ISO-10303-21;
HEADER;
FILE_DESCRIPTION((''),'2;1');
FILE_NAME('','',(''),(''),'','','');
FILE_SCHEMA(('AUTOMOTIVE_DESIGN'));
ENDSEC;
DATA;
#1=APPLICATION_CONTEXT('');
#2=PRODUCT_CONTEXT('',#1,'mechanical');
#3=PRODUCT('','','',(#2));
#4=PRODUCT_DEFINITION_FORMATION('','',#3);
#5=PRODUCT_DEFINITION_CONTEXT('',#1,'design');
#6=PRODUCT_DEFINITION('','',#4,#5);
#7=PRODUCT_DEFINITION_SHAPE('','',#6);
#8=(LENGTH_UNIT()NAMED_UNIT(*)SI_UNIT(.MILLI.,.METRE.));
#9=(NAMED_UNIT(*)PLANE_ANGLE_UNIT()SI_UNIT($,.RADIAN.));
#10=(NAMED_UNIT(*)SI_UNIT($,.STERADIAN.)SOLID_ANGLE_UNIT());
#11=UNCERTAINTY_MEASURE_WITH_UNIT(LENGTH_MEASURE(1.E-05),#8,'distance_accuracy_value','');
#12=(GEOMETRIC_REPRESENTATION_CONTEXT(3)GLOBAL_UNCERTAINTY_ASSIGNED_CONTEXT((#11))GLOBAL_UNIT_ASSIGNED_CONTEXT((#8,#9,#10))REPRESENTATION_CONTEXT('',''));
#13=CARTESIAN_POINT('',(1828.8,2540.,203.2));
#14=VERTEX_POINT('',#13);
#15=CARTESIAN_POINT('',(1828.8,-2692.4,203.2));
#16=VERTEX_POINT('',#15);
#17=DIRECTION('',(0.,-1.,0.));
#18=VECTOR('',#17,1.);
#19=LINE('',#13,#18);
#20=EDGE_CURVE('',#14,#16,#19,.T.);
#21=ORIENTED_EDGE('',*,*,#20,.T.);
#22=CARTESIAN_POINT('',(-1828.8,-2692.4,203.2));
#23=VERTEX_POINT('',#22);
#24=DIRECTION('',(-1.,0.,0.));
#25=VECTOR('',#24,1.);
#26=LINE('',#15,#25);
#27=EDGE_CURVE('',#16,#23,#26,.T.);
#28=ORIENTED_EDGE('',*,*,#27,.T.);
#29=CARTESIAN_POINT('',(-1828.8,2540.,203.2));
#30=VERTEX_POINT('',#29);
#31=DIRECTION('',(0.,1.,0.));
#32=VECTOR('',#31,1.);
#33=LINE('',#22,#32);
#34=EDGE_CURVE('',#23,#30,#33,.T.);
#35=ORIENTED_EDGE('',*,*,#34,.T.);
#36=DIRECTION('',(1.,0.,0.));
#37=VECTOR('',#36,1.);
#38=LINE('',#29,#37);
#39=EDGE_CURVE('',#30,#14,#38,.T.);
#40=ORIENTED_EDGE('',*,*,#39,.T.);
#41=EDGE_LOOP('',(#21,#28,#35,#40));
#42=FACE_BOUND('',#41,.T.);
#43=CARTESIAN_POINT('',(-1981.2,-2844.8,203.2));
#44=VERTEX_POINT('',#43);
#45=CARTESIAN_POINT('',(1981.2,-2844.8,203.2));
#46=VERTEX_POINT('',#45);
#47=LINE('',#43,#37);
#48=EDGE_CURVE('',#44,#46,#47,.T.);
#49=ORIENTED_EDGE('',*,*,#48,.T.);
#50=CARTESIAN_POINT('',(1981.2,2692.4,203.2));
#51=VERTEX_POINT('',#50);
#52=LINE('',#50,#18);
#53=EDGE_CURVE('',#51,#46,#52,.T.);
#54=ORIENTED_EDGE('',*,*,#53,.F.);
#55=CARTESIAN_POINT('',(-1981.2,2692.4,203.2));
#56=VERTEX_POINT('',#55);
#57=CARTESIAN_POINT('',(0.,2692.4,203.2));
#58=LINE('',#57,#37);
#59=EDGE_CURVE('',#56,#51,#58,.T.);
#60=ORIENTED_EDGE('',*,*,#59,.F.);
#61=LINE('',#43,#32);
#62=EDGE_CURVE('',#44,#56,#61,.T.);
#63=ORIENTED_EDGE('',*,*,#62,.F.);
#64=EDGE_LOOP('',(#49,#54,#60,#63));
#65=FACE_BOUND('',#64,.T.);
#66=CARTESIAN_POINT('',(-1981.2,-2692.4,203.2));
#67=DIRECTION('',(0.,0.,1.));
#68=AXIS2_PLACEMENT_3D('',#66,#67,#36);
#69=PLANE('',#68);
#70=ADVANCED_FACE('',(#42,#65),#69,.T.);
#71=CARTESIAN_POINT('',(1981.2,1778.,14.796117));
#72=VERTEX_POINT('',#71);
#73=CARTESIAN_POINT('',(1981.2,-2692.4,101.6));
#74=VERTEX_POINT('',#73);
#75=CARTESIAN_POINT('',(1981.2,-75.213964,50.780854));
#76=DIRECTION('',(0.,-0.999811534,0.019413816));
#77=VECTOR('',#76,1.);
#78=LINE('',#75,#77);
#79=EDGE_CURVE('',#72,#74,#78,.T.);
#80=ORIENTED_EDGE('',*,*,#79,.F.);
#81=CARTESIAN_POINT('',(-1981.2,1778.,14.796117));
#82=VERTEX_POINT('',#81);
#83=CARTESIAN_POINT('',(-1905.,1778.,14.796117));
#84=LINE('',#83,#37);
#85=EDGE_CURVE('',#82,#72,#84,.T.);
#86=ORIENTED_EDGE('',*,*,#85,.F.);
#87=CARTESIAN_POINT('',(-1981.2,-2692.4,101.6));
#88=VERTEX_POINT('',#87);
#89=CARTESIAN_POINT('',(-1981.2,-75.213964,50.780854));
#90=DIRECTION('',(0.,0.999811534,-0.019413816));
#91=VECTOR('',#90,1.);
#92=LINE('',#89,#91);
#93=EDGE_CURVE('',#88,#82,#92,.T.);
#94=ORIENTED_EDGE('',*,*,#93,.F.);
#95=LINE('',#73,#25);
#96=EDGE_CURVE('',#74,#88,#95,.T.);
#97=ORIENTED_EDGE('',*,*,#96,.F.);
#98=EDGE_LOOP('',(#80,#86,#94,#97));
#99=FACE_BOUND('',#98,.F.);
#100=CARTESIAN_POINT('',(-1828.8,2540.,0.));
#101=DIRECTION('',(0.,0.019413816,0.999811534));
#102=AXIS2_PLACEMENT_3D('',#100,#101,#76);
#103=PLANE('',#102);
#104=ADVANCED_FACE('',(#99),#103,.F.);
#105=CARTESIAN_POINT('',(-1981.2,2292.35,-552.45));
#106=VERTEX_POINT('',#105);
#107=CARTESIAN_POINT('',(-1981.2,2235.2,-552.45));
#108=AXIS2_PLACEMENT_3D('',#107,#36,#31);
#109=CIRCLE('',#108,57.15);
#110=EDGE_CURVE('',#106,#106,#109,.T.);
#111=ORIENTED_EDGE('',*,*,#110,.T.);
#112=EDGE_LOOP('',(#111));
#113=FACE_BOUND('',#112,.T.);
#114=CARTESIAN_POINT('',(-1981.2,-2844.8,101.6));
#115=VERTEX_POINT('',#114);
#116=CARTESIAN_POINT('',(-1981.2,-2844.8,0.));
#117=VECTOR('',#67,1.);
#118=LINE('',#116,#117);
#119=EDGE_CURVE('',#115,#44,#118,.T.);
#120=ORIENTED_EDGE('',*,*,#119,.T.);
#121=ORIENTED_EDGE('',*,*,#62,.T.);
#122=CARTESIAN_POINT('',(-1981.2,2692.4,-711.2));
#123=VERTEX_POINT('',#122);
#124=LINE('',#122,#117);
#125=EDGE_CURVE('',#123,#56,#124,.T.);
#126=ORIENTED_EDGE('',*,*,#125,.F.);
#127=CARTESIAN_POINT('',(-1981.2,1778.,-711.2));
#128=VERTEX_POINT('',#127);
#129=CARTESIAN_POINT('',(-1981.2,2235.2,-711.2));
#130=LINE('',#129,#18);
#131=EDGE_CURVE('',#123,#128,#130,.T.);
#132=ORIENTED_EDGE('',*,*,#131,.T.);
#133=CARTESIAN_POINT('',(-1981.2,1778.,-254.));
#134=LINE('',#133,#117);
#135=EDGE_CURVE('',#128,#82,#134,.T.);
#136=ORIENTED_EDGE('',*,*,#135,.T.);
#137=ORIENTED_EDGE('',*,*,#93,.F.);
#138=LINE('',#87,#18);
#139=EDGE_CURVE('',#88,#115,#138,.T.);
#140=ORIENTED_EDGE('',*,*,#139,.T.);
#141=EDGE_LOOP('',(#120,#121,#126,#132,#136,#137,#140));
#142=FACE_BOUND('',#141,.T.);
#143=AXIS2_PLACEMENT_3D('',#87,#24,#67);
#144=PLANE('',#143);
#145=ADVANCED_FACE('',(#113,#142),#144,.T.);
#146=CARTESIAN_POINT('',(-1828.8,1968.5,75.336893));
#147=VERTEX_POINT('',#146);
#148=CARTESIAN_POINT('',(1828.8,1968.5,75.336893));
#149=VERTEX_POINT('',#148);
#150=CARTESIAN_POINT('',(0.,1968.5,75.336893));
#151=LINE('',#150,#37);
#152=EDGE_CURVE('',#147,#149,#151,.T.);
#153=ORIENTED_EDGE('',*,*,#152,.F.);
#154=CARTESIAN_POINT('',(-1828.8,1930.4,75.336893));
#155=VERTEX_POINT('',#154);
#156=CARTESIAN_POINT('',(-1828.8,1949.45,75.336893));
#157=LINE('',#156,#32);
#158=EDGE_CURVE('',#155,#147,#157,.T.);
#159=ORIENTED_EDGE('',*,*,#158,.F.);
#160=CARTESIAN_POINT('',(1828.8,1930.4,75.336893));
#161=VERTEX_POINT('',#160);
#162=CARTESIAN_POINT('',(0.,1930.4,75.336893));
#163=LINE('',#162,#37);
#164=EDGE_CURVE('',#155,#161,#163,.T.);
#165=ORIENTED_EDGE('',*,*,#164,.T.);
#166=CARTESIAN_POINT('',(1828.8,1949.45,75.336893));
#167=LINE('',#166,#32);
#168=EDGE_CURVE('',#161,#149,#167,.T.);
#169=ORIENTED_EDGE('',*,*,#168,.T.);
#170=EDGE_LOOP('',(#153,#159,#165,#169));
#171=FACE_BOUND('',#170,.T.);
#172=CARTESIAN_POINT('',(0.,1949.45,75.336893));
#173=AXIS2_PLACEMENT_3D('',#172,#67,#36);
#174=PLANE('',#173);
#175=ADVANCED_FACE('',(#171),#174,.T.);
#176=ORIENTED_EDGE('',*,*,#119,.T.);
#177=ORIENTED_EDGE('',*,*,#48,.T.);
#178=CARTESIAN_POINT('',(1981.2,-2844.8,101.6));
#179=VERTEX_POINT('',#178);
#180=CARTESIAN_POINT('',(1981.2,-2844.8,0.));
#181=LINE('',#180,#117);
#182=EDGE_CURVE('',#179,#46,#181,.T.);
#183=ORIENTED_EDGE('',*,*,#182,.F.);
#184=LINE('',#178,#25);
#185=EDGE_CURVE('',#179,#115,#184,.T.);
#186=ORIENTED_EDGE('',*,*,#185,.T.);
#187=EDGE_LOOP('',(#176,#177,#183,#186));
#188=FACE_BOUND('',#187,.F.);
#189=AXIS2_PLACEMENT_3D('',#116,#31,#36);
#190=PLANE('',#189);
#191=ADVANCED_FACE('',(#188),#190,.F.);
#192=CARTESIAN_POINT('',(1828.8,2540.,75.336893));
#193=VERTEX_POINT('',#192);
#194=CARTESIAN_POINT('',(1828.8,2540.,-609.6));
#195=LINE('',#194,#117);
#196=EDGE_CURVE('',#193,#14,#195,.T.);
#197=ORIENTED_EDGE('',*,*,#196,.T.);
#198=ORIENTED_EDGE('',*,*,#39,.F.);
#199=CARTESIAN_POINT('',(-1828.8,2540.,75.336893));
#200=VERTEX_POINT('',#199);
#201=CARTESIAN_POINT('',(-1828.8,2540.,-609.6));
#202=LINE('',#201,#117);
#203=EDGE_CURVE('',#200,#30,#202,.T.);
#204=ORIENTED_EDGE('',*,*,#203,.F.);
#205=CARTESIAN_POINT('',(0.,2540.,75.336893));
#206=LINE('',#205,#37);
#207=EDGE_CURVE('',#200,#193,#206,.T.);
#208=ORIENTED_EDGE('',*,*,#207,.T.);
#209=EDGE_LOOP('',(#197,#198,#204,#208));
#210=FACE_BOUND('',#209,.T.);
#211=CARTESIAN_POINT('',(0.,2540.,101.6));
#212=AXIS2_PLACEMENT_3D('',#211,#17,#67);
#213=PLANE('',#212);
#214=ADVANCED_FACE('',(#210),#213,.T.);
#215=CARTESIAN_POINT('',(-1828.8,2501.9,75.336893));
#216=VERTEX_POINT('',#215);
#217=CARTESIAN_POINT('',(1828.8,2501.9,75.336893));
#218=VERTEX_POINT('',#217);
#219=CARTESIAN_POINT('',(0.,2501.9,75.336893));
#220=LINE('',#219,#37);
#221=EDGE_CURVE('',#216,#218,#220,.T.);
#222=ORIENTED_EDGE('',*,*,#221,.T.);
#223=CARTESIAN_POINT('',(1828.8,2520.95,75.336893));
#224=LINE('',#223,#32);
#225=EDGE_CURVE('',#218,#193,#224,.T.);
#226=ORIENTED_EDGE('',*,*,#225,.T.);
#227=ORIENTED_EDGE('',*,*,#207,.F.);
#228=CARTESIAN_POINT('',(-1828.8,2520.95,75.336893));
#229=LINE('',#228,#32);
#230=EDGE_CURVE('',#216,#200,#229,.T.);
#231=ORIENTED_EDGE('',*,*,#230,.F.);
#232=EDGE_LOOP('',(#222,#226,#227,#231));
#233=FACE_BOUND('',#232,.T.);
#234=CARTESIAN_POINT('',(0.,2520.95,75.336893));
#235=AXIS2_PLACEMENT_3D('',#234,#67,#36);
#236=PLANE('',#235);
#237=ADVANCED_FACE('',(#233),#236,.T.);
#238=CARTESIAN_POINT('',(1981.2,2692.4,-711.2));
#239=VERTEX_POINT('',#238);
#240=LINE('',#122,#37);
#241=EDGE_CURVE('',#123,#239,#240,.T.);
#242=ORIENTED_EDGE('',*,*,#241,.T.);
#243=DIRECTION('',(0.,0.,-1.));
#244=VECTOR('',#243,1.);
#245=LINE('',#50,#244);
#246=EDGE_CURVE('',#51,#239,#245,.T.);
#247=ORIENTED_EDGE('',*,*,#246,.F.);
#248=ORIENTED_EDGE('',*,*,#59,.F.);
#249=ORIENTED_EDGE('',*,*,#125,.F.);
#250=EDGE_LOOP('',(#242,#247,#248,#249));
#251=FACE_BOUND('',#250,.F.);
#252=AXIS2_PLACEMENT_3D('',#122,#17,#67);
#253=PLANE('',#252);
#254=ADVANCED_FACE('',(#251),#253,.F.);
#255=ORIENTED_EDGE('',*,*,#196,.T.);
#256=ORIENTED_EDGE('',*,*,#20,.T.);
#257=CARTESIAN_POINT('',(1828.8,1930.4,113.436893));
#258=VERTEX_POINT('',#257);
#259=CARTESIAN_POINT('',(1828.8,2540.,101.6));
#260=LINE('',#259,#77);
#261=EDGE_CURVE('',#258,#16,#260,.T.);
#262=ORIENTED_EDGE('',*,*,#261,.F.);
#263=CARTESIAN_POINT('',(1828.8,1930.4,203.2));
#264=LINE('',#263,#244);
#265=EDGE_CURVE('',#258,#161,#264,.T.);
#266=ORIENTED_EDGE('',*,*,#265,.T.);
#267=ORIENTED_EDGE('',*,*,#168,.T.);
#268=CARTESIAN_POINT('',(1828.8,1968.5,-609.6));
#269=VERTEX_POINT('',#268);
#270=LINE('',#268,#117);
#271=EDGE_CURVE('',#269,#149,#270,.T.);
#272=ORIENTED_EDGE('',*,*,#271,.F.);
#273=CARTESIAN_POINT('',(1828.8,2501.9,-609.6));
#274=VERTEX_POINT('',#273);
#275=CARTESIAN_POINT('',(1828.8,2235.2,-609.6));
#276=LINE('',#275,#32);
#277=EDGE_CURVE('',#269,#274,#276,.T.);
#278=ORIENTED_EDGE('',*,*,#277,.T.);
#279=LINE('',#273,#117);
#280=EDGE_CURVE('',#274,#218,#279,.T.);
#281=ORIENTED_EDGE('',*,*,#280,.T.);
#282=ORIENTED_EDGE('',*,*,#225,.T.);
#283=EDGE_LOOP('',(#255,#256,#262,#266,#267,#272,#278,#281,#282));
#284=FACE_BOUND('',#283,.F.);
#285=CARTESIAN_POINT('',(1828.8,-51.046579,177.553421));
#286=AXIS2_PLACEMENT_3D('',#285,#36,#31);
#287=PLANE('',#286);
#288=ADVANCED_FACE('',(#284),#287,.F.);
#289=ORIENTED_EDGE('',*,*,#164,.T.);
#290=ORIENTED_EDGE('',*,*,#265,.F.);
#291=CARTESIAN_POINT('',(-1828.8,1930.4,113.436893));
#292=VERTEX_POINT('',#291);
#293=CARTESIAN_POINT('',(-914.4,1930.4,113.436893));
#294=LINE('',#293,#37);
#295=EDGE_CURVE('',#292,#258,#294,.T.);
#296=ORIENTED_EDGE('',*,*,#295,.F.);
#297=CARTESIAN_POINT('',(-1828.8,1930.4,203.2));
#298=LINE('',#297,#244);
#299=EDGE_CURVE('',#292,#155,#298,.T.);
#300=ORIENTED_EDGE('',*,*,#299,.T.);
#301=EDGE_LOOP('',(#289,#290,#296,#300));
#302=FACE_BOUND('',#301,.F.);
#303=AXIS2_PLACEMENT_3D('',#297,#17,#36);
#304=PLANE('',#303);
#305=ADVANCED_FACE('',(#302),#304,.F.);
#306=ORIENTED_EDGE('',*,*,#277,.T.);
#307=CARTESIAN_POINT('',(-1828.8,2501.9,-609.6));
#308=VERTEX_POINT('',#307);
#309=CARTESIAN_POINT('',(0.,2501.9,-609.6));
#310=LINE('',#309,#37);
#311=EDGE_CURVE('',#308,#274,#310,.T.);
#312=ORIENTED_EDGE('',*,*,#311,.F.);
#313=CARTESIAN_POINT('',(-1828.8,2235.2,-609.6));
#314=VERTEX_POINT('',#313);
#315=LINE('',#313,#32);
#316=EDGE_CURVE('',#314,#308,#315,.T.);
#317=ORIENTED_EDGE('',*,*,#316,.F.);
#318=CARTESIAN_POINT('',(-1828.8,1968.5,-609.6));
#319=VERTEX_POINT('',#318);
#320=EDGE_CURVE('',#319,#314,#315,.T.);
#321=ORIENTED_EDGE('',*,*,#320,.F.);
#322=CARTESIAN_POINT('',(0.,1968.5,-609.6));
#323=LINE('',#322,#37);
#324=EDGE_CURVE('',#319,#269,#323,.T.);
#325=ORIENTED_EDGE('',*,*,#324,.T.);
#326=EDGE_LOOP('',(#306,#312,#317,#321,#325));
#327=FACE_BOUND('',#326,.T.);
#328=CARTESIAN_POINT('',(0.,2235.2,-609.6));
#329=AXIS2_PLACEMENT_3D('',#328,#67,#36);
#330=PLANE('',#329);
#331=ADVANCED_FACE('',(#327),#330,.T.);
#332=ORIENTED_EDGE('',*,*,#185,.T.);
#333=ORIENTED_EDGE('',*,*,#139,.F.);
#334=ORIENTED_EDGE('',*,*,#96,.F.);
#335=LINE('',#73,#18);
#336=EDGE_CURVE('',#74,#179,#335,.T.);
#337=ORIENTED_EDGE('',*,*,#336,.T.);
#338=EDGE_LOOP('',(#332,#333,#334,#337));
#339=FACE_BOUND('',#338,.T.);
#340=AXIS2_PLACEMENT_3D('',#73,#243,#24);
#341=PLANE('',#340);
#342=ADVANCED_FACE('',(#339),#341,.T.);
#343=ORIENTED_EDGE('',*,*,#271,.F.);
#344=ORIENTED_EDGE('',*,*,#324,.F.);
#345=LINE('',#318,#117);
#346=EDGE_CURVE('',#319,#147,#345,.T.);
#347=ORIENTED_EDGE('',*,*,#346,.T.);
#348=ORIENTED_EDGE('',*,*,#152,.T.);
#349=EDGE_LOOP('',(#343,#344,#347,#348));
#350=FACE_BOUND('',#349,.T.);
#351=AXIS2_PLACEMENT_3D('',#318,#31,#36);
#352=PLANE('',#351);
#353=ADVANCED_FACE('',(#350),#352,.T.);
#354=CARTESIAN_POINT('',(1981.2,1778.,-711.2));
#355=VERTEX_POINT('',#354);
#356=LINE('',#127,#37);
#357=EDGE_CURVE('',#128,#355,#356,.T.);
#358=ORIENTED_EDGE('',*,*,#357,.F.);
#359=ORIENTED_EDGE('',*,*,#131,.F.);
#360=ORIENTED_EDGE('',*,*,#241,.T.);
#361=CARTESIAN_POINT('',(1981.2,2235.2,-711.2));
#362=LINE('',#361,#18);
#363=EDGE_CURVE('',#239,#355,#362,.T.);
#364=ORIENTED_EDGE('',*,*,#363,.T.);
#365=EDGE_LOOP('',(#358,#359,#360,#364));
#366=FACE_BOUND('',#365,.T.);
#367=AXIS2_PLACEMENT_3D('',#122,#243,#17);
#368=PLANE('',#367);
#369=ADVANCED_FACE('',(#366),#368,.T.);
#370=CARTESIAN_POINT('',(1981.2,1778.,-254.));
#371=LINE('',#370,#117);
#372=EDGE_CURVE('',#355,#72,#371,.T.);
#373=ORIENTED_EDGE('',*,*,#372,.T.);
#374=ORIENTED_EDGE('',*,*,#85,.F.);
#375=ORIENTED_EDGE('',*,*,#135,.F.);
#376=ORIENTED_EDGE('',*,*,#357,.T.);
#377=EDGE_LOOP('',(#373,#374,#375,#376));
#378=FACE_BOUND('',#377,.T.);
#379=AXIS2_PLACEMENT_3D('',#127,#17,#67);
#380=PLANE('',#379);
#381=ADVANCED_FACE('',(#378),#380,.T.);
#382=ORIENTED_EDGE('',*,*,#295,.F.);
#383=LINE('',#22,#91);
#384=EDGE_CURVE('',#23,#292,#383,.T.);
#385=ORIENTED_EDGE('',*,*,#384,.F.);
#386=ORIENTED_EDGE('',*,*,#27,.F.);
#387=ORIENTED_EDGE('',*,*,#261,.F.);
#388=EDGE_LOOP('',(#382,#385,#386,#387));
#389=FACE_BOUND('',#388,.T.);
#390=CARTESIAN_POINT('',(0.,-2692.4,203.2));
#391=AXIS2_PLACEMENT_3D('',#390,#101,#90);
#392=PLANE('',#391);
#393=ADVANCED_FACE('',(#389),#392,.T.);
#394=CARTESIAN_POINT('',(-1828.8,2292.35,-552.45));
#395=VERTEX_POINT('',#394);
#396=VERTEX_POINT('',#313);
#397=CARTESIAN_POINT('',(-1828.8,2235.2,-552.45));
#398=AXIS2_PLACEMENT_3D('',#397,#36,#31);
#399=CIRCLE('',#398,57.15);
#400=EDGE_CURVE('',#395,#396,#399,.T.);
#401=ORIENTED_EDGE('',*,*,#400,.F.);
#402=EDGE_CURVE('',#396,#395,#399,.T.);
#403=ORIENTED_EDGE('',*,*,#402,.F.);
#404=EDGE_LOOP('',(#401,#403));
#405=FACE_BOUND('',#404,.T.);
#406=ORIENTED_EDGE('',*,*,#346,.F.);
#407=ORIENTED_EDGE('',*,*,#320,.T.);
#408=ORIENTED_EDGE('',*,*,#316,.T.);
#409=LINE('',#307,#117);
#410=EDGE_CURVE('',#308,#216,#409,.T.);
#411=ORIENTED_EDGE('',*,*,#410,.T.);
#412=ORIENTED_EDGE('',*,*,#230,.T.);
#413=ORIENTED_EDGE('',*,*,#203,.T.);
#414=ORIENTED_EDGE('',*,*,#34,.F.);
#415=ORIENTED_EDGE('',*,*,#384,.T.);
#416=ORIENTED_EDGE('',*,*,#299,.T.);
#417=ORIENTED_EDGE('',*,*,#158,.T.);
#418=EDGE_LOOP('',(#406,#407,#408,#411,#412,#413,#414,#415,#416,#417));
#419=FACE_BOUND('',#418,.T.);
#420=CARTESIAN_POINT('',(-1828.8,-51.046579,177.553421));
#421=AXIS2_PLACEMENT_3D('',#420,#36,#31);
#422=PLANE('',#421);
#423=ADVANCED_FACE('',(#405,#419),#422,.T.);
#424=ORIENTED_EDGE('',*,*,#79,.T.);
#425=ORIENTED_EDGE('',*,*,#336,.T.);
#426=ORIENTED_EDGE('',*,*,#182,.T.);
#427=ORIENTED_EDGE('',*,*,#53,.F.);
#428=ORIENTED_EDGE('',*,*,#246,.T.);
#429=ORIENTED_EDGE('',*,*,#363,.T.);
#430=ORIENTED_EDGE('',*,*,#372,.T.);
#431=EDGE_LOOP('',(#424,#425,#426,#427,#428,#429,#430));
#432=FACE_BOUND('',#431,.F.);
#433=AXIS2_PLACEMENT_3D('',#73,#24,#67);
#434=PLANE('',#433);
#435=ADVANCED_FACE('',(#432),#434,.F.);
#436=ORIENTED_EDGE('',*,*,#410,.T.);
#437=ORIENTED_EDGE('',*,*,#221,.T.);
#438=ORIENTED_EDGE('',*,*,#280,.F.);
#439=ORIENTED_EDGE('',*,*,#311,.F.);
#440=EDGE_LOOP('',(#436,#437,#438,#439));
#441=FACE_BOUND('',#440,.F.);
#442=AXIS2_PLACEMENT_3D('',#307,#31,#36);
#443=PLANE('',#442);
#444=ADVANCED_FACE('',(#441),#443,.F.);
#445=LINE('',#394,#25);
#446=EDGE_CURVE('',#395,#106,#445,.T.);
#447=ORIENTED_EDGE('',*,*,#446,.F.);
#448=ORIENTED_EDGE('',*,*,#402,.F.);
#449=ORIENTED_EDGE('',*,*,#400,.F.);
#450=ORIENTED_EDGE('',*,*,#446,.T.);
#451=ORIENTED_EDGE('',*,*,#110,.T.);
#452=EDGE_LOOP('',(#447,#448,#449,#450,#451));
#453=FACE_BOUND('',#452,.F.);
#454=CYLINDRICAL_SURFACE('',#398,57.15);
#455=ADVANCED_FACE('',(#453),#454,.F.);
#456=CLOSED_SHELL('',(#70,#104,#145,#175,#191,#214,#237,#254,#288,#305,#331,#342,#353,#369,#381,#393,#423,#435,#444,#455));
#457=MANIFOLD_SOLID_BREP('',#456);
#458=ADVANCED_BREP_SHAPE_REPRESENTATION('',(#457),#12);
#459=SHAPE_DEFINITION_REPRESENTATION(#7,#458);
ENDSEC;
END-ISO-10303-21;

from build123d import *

# Parameters (mm, degrees)
F0_W          = 3962.4
F0_H          = 5384.8
F1_DEPTH      = 203.2
F4_DEPTH      = 1828.8
F5_DEPTH      = 152.401
F6_DEPTH      = 152.401
F3_W          = 914.4
F3_H          = 914.4
F7_DEPTH      = 3962.4
F8_DEPTH      = 1828.8
F8_DEPTH_BACK = 1828.8
F9_W          = 3657.6
F9_H          = 609.6
F10_DEPTH     = 812.8
F11_W         = 3657.6
F11_H         = 38.1
F12_DEPTH     = 684.9368932039
F13_R         = 57.15
F14_DEPTH     = 152.401
F15_DEPTH     = 152.4


with BuildPart() as f1:
    # F0 (on Top) → F1 (new body)
    with BuildSketch(Plane.XY):
        Rectangle(F0_W, F0_H)
    extrude(amount=F1_DEPTH)

    # F2 (on Right) → F4 (cut, symmetric)
    with BuildSketch(Plane.YZ):
        Polygon((2540, 203.2), (-2692.4, 203.2), (2540, 101.6), align=None)
        Polygon((2540, 0), (-2692.4, 101.6), (-2692.4, 0), align=None)
    extrude(amount=F4_DEPTH, both=True, mode=Mode.SUBTRACT)

    # F5 (cut, through all): a face of the model
    f5_faces = [f1.faces().sort_by_distance(p)[0] for p in [
        (-1828.8, -948.2666666667, 33.8666666667),
    ]]
    extrude(f5_faces, amount=-F5_DEPTH, mode=Mode.SUBTRACT)

    # F6 (cut, through all): a face of the model
    f6_faces = [f1.faces().sort_by_distance(p)[0] for p in [
        (1828.8, -948.2666666667, 33.8666666667),
    ]]
    extrude(f6_faces, amount=-F6_DEPTH, mode=Mode.SUBTRACT)

    # F3 (on face) → F7 (join, through all)
    with BuildSketch(Plane(origin=(-1981.2, 0, 0), x_dir=(0, -1, 0), z_dir=(-1, 0, 0))):
        with Locations((-2235.2, -254)):
            Rectangle(F3_W, F3_H)
    extrude(amount=-F7_DEPTH)

    # F2 (on Right) → F8 (cut, two sides)
    with BuildSketch(Plane.YZ) as f8_sk:
        Polygon((2540, 203.2), (-2692.4, 203.2), (2540, 101.6), align=None)
    extrude(amount=-F8_DEPTH, mode=Mode.SUBTRACT)
    extrude(f8_sk.sketch, amount=F8_DEPTH_BACK, mode=Mode.SUBTRACT)

    # F9 (on face) → F10 (cut, through all)
    with BuildSketch(Plane.XY.offset(203.2)):
        with Locations((0, 2235.2)):
            Rectangle(F9_W, F9_H)
    extrude(amount=-F10_DEPTH, mode=Mode.SUBTRACT)

    # F11 (on face) → F12 (join, through all)
    with BuildSketch(Plane.XY.offset(-609.6)):
        with Locations((0, 2520.95)):
            Rectangle(F11_W, F11_H)
        with Locations((0, 1949.45)):
            Rectangle(F11_W, F11_H)
    extrude(amount=F12_DEPTH)

    # F13 (on face) → F14 (cut, through all)
    with BuildSketch(Plane.YZ.offset(-1828.8)):
        with Locations((2235.2, -552.45)):
            Circle(F13_R)
    extrude(amount=-F14_DEPTH, mode=Mode.SUBTRACT)

    # F15 (add): a face of the model
    f15_faces = [f1.faces().sort_by_distance(p)[0] for p in [
        (0, -2692.4, 152.4),
    ]]
    extrude(f15_faces, amount=F15_DEPTH)


solid = f1.part
